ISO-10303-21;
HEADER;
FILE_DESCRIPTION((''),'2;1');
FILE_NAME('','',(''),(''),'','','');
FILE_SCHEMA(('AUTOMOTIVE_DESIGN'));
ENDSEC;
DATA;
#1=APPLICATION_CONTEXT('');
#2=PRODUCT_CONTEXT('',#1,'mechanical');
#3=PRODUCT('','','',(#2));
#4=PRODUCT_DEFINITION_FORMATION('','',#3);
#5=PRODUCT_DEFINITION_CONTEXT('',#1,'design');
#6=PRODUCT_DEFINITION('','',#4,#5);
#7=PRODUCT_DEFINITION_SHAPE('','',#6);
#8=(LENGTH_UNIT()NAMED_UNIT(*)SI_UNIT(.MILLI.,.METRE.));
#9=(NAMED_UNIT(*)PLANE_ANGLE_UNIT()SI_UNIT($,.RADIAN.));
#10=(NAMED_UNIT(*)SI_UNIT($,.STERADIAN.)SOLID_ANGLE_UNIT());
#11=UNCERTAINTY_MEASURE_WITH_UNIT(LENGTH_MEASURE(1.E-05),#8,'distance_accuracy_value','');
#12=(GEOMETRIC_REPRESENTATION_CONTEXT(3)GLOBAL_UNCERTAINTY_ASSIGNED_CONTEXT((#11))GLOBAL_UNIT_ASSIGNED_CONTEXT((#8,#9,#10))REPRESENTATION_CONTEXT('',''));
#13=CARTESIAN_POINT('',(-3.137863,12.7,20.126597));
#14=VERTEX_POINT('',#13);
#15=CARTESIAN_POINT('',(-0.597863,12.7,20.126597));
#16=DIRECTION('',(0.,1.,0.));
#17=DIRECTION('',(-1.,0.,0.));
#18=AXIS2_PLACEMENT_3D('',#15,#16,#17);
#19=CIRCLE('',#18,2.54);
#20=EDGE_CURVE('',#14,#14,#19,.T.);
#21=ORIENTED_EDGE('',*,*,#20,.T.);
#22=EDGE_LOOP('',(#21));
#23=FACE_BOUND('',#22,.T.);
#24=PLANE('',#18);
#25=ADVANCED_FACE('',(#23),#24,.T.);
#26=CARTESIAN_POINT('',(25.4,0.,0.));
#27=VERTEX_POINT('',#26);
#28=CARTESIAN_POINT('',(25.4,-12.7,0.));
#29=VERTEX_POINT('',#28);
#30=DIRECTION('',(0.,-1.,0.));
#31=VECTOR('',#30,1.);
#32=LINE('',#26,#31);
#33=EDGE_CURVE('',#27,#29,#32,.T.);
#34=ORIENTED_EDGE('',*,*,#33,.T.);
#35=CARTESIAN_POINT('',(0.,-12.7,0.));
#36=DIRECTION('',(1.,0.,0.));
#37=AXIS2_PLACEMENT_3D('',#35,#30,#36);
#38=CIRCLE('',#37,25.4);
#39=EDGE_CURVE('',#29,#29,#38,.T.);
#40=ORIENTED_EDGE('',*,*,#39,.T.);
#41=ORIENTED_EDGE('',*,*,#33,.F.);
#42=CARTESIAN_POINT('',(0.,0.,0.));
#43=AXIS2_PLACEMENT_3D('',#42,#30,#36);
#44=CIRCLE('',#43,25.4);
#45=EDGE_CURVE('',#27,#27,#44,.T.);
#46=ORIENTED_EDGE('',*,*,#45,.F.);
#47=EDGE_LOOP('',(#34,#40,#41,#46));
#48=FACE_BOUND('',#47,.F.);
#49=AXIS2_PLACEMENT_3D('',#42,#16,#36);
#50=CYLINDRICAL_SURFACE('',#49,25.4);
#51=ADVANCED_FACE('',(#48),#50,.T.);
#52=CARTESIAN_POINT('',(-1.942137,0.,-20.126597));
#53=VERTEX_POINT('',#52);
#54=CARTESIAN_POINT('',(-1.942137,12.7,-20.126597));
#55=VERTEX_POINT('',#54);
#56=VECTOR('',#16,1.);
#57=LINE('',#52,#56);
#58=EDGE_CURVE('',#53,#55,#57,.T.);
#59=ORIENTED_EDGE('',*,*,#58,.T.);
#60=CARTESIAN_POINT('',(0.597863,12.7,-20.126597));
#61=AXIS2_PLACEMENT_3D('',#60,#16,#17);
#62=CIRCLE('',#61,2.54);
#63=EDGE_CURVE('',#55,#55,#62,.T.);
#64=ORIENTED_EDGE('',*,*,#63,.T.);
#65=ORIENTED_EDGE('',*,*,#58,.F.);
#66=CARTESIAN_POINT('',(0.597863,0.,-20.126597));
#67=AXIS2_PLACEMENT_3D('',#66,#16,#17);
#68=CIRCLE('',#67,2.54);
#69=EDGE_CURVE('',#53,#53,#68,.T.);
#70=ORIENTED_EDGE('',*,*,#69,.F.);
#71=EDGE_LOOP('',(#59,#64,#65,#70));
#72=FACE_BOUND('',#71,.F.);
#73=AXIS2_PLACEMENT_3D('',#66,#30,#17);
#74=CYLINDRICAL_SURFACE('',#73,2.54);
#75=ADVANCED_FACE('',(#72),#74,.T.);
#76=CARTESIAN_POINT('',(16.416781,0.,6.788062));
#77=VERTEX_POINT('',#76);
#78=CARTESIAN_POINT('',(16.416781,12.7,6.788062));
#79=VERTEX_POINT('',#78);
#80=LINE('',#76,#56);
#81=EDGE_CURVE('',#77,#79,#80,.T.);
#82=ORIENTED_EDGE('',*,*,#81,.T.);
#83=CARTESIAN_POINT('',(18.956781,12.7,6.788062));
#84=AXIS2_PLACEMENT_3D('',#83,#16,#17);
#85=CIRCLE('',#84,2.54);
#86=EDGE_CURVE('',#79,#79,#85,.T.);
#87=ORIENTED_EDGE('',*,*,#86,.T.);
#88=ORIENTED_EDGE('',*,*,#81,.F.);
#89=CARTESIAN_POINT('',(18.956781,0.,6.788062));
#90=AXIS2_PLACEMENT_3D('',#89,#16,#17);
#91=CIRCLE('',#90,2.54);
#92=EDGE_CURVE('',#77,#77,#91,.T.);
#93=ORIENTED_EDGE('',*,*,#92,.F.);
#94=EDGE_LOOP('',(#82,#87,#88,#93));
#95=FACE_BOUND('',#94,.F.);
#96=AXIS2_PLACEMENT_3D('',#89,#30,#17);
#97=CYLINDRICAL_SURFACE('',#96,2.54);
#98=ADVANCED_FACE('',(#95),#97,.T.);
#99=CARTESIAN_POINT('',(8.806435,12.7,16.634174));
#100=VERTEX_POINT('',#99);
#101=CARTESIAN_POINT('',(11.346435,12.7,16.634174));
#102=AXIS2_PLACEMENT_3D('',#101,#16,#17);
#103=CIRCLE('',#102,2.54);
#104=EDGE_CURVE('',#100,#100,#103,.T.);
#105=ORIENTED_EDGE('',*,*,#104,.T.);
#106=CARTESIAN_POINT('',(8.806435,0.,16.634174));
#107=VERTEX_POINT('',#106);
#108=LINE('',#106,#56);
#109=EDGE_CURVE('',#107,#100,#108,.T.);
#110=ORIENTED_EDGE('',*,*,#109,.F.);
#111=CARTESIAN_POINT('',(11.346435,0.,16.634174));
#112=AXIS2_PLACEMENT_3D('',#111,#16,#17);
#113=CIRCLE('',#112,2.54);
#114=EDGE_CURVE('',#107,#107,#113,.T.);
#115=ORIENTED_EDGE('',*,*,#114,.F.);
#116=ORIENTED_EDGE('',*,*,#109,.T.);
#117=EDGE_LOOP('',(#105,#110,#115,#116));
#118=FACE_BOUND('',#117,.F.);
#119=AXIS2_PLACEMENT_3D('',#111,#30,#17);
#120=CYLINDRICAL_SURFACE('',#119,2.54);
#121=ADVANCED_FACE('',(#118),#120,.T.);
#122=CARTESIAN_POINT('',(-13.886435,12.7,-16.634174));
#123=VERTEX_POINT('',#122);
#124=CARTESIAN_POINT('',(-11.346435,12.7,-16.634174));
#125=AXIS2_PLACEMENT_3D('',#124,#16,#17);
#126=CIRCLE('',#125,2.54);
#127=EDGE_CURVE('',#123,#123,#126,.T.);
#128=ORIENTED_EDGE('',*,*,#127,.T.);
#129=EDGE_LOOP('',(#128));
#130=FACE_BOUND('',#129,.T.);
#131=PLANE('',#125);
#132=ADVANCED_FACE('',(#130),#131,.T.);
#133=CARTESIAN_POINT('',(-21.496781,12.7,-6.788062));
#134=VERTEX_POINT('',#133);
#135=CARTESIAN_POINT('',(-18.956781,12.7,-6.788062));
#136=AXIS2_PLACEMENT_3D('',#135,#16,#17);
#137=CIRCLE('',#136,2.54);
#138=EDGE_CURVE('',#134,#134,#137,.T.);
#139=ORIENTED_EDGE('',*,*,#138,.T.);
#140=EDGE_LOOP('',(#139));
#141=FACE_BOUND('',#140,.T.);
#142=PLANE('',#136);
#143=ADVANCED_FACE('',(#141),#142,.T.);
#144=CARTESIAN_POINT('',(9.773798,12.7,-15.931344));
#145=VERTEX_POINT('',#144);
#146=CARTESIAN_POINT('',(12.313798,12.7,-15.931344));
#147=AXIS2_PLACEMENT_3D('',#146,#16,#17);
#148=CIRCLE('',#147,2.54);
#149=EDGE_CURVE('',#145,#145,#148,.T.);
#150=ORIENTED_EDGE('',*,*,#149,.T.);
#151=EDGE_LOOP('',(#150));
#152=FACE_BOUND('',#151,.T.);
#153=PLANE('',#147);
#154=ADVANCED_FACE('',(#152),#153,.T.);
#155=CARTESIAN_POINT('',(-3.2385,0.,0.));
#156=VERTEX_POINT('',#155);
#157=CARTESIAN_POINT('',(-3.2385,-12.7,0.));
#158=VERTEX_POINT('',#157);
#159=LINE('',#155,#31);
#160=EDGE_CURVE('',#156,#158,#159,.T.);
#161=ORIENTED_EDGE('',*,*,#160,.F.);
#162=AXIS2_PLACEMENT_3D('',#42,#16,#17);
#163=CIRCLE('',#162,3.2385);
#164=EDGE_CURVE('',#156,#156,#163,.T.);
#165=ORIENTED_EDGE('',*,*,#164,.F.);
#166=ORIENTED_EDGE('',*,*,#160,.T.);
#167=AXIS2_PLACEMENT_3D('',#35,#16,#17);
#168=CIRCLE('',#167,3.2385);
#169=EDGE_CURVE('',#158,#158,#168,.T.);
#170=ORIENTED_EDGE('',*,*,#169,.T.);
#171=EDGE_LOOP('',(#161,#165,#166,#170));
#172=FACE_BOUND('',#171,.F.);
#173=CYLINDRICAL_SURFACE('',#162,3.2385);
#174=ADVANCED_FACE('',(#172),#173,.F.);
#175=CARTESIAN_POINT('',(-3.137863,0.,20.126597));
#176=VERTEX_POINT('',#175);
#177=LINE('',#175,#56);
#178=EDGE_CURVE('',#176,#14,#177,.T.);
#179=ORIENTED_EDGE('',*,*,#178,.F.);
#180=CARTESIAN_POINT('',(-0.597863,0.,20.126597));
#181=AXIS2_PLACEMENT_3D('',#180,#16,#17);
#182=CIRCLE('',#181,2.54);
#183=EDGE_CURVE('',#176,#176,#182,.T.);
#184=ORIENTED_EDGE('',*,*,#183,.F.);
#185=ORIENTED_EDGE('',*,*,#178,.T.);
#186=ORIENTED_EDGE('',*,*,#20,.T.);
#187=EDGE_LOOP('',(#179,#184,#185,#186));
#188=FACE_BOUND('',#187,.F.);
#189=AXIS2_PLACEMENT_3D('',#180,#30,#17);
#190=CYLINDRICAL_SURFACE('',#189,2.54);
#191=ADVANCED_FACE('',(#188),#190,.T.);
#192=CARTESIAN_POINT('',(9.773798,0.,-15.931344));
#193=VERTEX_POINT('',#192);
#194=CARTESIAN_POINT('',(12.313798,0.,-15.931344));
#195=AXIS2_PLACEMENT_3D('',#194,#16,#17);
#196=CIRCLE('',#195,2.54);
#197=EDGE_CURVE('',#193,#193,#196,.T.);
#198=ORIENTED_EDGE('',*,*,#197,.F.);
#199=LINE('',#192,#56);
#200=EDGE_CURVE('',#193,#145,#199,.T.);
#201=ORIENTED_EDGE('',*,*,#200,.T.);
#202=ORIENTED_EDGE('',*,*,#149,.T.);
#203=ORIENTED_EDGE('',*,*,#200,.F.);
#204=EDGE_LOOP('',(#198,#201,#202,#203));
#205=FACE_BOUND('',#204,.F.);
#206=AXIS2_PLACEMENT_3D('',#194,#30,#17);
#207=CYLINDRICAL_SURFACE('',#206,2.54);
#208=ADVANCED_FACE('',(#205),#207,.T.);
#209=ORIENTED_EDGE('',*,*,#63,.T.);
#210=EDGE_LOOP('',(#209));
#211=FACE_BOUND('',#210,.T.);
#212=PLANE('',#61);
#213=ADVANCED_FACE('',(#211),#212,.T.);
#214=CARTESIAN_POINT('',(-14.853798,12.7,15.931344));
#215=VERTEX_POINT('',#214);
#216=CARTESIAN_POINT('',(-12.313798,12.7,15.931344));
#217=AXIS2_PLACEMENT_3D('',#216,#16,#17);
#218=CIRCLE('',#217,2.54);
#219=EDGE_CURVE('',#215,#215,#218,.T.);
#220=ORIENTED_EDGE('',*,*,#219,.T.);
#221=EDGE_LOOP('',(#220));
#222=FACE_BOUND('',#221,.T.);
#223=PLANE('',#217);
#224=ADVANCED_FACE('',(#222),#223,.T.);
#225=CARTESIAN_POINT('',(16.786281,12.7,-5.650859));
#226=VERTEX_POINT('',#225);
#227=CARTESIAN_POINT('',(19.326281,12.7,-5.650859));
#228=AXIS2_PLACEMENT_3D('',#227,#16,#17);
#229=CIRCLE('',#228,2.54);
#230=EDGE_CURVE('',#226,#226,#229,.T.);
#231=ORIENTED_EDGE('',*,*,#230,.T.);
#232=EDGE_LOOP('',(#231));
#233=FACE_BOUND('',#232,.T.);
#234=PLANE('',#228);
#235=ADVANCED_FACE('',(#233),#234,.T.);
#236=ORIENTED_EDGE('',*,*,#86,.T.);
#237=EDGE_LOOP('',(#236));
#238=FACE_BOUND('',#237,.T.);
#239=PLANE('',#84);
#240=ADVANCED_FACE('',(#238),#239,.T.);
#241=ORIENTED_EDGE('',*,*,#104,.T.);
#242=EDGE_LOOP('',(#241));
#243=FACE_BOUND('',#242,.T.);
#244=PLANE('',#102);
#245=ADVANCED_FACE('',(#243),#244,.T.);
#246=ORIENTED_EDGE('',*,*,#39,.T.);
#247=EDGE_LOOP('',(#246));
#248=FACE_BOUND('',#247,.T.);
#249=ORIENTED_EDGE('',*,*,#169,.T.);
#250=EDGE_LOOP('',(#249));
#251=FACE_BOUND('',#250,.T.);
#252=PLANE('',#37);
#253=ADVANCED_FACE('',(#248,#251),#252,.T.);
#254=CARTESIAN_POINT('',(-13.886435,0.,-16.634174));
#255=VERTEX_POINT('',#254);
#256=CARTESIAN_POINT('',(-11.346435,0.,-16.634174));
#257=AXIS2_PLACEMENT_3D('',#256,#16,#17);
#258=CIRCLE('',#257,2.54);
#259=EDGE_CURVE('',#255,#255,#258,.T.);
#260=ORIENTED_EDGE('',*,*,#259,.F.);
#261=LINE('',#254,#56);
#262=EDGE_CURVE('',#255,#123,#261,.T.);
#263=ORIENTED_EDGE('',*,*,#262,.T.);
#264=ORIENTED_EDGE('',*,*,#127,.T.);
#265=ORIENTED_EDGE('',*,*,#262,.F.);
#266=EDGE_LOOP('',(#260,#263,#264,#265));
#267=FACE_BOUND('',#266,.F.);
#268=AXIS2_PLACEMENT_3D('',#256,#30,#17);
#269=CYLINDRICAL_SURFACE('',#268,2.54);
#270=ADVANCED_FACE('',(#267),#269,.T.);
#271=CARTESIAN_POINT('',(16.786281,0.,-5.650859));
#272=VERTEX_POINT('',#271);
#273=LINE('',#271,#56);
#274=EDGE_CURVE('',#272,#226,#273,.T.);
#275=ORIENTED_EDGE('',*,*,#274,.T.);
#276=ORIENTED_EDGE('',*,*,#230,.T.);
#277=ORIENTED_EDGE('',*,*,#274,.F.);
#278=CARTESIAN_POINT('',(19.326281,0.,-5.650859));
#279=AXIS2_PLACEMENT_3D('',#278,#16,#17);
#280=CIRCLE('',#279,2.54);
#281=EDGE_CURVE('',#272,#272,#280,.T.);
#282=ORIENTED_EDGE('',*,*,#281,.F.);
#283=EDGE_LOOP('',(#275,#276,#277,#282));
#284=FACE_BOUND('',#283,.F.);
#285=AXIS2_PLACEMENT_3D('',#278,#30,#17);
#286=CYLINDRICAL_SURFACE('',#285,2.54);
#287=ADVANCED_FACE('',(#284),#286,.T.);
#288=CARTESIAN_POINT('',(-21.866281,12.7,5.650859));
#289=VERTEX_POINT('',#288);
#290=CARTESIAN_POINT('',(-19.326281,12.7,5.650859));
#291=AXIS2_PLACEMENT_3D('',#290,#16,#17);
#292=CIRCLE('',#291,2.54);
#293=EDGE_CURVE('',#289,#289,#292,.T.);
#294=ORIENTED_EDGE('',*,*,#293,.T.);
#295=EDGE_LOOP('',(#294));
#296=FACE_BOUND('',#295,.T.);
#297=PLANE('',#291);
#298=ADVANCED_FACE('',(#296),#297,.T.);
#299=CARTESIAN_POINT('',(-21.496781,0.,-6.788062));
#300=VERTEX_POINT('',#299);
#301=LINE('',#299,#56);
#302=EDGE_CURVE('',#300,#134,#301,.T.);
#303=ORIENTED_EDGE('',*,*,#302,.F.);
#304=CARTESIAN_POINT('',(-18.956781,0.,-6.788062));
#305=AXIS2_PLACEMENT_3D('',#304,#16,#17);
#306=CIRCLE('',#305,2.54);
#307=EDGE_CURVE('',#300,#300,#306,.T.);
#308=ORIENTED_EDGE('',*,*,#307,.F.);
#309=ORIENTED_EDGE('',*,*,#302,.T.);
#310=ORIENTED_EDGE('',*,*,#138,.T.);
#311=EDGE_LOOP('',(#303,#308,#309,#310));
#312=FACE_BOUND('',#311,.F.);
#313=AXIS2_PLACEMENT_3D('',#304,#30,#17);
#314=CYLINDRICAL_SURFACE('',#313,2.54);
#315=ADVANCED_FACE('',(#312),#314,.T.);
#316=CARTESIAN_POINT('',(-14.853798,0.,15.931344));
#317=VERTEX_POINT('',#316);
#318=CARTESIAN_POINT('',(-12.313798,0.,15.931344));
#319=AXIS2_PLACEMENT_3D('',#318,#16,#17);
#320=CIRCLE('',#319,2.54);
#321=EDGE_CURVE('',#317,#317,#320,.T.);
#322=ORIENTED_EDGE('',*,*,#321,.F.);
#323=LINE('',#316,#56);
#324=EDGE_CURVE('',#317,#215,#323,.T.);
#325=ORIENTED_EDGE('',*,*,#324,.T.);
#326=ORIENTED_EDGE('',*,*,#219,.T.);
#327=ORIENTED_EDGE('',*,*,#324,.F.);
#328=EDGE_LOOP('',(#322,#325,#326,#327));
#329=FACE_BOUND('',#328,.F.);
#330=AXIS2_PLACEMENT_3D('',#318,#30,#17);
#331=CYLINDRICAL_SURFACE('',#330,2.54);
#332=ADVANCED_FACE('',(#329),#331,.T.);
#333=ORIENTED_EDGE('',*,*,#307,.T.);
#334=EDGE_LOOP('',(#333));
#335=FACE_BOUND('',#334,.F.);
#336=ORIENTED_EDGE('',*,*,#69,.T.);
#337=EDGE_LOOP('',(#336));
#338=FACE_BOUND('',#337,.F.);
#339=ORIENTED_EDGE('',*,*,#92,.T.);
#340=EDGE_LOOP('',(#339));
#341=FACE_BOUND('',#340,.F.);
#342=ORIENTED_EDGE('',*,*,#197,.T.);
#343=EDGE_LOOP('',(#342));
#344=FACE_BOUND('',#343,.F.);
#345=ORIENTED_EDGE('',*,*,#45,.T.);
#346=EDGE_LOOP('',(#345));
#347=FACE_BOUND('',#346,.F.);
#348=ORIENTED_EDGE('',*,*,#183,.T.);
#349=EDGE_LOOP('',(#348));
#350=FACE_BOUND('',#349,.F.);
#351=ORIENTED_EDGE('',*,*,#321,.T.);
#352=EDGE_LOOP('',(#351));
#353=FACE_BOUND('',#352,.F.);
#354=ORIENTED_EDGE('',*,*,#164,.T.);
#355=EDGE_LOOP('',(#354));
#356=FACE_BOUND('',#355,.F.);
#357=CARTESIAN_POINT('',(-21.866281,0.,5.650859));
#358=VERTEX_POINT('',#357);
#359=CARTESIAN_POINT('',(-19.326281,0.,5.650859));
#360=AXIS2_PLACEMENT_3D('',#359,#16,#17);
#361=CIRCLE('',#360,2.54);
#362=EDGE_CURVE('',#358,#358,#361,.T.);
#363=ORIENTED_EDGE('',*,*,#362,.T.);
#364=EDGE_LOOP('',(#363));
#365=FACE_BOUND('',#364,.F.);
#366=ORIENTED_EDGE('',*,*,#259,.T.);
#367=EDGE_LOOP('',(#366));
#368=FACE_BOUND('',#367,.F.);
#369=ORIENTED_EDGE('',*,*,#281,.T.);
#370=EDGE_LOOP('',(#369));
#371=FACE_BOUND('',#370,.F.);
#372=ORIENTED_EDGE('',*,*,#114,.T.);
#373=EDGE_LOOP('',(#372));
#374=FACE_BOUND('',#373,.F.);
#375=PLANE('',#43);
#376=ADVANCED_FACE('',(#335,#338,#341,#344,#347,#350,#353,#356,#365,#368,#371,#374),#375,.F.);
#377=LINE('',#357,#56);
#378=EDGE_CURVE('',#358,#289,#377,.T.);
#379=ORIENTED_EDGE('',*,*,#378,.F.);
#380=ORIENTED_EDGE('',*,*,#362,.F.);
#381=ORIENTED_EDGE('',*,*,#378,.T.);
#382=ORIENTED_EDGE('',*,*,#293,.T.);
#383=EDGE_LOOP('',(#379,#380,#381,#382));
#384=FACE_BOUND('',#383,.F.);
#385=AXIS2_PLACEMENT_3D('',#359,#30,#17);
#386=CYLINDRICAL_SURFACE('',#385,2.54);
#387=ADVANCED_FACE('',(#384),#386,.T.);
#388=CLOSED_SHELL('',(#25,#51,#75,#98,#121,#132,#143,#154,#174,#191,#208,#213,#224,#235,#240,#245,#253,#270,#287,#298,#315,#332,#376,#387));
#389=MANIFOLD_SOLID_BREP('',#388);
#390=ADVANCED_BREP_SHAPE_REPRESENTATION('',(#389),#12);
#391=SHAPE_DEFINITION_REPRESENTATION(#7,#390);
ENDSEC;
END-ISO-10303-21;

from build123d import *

# Parameters (mm, degrees)
F0_R     = 25.4
F1_DEPTH = 12.7
F2_R     = 2.54
F3_DEPTH = 12.7
F4_R     = 3.2385
F5_DEPTH = 12.7


with BuildPart() as f1:
    # F0 (on Front) → F1 (new body)
    with BuildSketch(Plane.XZ):
        Circle(F0_R)
    extrude(amount=F1_DEPTH)

    # F2 (on face) → F3 (join)
    with BuildSketch(Plane(origin=(0, 0, 0), x_dir=(-1, 0, 0), z_dir=(0, 1, 0))):
        with Locations((12.313798, 15.931344)):
            Circle(F2_R)
        with Locations((0.597863, 20.126597)):
            Circle(F2_R)
        with Locations((-11.346435, 16.634174)):
            Circle(F2_R)
        with Locations((-18.956781, 6.788062)):
            Circle(F2_R)
        with Locations((-19.326281, -5.650859)):
            Circle(F2_R)
        with Locations((-12.313798, -15.931344)):
            Circle(F2_R)
        with Locations((-0.597863, -20.126597)):
            Circle(F2_R)
        with Locations((11.346435, -16.634174)):
            Circle(F2_R)
        with Locations((18.956781, -6.788062)):
            Circle(F2_R)
        with Locations((19.326281, 5.650859)):
            Circle(F2_R)
    extrude(amount=F3_DEPTH)

    # F4 (on face) → F5 (cut)
    with BuildSketch(Plane(origin=(0, 0, 0), x_dir=(-1, 0, 0), z_dir=(0, 1, 0))):
        Circle(F4_R)
    extrude(amount=-F5_DEPTH, mode=Mode.SUBTRACT)


solid = f1.part
